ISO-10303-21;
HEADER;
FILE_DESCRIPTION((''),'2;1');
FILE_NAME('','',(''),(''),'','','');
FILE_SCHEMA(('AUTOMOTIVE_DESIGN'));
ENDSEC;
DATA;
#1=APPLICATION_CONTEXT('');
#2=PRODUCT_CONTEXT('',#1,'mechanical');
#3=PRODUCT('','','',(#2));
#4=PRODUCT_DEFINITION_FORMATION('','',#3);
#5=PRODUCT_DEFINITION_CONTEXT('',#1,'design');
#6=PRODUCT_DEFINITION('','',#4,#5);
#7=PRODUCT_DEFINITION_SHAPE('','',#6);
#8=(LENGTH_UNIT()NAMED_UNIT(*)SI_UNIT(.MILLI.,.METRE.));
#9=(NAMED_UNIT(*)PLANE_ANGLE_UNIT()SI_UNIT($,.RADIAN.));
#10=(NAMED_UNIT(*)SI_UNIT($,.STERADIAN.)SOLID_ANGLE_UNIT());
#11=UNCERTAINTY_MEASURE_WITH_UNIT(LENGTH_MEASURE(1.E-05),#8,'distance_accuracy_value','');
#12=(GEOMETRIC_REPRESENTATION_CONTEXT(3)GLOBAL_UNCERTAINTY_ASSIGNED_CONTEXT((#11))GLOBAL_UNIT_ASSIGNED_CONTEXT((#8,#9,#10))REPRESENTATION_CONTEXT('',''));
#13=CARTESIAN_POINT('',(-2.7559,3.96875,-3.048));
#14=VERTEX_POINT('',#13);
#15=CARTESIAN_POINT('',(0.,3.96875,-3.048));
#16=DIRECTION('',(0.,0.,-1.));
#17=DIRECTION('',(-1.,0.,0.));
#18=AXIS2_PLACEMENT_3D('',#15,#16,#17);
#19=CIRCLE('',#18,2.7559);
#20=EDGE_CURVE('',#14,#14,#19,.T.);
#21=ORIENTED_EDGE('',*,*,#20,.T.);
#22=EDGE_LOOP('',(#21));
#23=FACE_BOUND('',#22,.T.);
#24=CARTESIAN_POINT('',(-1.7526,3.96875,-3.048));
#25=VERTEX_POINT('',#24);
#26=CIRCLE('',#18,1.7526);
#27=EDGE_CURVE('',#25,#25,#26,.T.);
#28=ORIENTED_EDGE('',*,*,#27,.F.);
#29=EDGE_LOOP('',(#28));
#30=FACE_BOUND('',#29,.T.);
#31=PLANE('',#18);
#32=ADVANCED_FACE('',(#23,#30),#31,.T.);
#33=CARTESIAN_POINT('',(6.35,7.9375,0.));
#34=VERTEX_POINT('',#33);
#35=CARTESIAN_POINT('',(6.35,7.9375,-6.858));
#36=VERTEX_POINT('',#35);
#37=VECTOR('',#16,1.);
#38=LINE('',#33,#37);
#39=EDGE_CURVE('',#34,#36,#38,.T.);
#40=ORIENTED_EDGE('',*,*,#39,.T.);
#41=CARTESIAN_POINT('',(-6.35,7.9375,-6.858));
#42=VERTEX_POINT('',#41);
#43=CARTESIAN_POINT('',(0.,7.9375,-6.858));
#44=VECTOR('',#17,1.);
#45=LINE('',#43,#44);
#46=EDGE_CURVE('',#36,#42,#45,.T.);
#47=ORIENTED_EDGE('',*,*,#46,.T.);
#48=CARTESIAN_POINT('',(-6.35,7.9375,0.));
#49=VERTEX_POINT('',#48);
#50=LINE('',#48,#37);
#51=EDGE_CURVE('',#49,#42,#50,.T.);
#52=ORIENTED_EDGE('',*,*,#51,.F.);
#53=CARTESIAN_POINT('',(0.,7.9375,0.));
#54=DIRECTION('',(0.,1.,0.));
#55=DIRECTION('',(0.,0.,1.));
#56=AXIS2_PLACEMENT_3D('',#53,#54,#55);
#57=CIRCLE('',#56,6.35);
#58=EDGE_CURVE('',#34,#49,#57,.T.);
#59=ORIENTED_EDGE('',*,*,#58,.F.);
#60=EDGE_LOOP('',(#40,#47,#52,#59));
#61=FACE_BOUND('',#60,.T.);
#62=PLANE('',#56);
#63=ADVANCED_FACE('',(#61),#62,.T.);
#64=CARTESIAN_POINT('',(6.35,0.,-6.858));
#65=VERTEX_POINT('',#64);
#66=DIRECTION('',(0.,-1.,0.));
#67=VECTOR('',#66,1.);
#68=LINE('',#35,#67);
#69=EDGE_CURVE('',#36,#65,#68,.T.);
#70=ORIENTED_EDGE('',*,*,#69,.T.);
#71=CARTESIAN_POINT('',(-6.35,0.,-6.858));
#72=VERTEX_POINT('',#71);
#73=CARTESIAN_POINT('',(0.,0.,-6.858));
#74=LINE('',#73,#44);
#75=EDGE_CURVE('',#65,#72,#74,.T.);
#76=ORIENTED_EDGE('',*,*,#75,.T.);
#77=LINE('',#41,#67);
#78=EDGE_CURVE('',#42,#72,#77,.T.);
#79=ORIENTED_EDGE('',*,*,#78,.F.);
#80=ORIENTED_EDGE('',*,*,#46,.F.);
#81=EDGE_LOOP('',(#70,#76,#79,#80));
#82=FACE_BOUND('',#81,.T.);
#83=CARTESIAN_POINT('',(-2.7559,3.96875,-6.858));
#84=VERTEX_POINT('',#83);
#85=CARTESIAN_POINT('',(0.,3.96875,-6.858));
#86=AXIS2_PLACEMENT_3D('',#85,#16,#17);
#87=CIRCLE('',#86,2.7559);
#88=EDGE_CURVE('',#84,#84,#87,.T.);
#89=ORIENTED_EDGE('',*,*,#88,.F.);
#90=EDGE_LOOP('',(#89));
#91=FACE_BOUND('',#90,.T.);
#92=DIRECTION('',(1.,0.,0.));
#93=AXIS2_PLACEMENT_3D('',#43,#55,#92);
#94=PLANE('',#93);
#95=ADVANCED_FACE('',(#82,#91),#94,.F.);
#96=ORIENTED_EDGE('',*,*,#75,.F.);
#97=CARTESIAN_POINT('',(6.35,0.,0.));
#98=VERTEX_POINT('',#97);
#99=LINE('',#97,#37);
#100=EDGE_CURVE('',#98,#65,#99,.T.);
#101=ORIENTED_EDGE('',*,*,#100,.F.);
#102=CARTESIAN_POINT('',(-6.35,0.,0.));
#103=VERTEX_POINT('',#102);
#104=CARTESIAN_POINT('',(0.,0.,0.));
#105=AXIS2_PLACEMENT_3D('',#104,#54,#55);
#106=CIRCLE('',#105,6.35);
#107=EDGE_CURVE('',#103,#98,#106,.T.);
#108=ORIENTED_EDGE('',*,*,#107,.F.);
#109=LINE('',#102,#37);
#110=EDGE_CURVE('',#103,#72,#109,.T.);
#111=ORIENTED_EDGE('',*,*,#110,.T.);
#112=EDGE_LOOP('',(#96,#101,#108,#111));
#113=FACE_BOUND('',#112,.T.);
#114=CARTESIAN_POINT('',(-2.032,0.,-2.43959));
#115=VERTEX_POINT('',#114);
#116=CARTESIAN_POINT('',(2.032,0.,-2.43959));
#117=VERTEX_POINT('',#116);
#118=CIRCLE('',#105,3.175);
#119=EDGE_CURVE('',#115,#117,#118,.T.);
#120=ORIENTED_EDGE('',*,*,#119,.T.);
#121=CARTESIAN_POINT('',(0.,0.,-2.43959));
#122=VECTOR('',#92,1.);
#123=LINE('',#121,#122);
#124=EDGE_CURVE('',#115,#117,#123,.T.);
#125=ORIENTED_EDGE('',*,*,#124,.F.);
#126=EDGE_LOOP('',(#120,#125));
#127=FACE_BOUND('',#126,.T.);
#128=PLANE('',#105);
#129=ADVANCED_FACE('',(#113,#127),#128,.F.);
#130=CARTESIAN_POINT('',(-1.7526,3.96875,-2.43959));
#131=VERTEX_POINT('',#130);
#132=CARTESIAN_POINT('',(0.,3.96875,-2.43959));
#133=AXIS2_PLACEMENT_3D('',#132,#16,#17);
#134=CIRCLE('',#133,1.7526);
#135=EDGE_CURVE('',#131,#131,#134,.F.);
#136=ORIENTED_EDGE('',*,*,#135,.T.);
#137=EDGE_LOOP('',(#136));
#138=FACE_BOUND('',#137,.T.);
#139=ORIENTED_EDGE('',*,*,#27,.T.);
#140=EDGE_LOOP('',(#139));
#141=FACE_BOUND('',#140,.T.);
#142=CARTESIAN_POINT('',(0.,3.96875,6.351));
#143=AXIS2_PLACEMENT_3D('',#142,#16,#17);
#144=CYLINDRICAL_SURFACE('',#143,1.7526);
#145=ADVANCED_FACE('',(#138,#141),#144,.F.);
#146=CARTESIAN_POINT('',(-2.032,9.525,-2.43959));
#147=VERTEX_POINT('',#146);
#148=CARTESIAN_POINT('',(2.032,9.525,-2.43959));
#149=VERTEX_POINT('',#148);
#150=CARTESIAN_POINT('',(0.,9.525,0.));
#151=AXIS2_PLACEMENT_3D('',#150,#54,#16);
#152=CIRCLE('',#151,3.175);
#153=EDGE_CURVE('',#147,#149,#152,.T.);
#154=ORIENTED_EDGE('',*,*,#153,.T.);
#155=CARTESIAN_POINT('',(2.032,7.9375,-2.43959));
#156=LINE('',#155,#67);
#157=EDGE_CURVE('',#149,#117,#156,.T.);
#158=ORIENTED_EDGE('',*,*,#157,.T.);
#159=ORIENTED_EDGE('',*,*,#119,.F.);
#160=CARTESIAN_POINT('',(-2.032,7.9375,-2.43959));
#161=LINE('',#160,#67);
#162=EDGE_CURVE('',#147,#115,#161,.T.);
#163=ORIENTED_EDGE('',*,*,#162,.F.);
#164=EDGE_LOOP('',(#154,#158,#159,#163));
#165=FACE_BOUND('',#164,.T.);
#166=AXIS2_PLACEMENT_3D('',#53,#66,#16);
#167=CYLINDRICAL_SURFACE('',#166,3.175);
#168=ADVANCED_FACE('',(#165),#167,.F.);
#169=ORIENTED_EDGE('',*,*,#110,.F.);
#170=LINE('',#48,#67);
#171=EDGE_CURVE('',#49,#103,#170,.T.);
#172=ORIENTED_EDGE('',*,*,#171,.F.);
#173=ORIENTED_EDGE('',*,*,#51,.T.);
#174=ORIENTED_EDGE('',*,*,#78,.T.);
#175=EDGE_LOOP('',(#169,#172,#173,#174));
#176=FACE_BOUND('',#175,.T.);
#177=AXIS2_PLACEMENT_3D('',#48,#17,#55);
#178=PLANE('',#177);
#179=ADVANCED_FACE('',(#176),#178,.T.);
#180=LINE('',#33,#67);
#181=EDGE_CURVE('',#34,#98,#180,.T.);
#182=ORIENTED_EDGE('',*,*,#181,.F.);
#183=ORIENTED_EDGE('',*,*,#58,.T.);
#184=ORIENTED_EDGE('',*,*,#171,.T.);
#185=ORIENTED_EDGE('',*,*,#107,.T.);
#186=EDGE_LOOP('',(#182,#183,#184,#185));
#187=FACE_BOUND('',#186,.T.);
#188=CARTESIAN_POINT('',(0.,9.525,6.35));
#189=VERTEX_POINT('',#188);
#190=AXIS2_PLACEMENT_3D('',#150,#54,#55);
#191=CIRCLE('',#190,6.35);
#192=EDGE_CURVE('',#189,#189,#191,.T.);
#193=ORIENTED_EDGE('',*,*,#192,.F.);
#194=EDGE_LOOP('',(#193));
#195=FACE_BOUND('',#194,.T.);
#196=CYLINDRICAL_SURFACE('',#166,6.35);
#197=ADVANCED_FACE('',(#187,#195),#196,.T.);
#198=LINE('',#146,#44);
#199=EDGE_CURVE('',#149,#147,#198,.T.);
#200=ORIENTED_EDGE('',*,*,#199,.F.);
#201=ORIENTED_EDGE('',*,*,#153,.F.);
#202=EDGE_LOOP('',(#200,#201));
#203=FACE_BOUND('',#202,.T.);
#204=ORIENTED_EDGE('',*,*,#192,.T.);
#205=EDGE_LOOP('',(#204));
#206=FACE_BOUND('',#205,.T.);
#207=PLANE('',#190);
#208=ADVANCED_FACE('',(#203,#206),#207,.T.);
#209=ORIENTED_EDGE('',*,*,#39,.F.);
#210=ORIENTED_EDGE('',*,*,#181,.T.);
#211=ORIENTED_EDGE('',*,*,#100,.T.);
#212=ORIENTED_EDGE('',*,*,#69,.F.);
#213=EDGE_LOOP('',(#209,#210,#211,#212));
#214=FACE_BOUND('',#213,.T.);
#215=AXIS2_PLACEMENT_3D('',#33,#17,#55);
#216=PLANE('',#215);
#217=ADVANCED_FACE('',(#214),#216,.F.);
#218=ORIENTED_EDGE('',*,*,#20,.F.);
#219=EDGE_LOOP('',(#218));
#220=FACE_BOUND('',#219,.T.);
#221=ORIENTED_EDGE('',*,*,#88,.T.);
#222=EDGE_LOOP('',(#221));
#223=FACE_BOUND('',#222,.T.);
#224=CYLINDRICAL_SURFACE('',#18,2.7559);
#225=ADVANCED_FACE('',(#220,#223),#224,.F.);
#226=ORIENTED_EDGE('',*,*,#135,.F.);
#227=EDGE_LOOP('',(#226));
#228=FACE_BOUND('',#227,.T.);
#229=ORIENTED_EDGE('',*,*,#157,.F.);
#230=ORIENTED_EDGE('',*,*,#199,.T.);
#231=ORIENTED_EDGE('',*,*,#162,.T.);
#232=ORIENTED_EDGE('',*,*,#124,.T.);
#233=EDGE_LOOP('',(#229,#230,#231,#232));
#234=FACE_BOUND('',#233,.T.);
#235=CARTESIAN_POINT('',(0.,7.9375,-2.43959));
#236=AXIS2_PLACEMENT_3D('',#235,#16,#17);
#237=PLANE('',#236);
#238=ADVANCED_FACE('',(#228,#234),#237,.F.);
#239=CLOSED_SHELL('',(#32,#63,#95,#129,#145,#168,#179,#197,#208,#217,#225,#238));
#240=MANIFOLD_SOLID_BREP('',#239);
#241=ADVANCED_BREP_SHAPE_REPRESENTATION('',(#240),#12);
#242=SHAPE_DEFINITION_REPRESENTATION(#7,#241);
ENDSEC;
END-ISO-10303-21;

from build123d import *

# Parameters (mm, degrees)
BOSS_EXTRUDE1_DEPTH = 7.9375
SKETCH3_R           = 2.7559
CUT_EXTRUDE1_DEPTH  = 3.81
CUT_EXTRUDE2_REACH  = 11.398
SKETCH4_R           = 1.7526
SKETCH5_R           = 6.35
BOSS_EXTRUDE2_DEPTH = 1.5875


with BuildPart() as part:
    # Sketch1 → Boss-Extrude1 (new body)
    with BuildSketch(Plane(origin=(0, 0, 0), x_dir=(1, 0, 0), z_dir=(0, 1, 0))):
        with BuildLine():
            ThreePointArc((-6.35, 0), (0, -6.35), (6.35, 0))
            Line((6.35, 0), (6.35, 6.858))
            Line((6.35, 6.858), (-6.35, 6.858))
            Line((-6.35, 6.858), (-6.35, 0))
        make_face()
        with BuildLine():
            Line((-2.032, 2.439590334), (2.032, 2.439590334))
            ThreePointArc((2.032, 2.439590334), (0, -3.175), (-2.032, 2.439590334))
        make_face(mode=Mode.SUBTRACT)
    extrude(amount=BOSS_EXTRUDE1_DEPTH)

    # Sketch3 → Cut-Extrude1 (cut)
    with BuildSketch(Plane(origin=(0, 0, -6.858), x_dir=(-1, 0, 0), z_dir=(0, 0, -1))):
        with Locations((0, 3.96875)):
            Circle(SKETCH3_R)
    extrude(amount=-CUT_EXTRUDE1_DEPTH, mode=Mode.SUBTRACT)

    # Sketch4 → Cut-Extrude2 (cut, up to next)
    with BuildSketch(Plane(origin=(0, 0, -3.048), x_dir=(-1, 0, 0), z_dir=(0, 0, -1)), mode=Mode.PRIVATE) as cut_extrude2_sk1:
        with Locations((0, 3.96875)):
            Circle(SKETCH4_R)
    cut_extrude2_tool1 = extrude(cut_extrude2_sk1.sketch, amount=-CUT_EXTRUDE2_REACH, mode=Mode.PRIVATE) & part.part
    add(cut_extrude2_tool1.solids().sort_by_distance((0, 3.96875, -3.048))[0], mode=Mode.SUBTRACT)

    # Sketch5 → Boss-Extrude2 (add)
    with BuildSketch(Plane(origin=(0, 7.9375, 0), x_dir=(1, 0, 0), z_dir=(0, 1, 0))):
        Circle(SKETCH5_R)
        with BuildLine():
            Line((-2.032, 2.439590334), (2.032, 2.439590334))
            ThreePointArc((2.032, 2.439590334), (0, -3.175), (-2.032, 2.439590334))
        make_face(mode=Mode.SUBTRACT)
    extrude(amount=BOSS_EXTRUDE2_DEPTH)


solid = part.part
